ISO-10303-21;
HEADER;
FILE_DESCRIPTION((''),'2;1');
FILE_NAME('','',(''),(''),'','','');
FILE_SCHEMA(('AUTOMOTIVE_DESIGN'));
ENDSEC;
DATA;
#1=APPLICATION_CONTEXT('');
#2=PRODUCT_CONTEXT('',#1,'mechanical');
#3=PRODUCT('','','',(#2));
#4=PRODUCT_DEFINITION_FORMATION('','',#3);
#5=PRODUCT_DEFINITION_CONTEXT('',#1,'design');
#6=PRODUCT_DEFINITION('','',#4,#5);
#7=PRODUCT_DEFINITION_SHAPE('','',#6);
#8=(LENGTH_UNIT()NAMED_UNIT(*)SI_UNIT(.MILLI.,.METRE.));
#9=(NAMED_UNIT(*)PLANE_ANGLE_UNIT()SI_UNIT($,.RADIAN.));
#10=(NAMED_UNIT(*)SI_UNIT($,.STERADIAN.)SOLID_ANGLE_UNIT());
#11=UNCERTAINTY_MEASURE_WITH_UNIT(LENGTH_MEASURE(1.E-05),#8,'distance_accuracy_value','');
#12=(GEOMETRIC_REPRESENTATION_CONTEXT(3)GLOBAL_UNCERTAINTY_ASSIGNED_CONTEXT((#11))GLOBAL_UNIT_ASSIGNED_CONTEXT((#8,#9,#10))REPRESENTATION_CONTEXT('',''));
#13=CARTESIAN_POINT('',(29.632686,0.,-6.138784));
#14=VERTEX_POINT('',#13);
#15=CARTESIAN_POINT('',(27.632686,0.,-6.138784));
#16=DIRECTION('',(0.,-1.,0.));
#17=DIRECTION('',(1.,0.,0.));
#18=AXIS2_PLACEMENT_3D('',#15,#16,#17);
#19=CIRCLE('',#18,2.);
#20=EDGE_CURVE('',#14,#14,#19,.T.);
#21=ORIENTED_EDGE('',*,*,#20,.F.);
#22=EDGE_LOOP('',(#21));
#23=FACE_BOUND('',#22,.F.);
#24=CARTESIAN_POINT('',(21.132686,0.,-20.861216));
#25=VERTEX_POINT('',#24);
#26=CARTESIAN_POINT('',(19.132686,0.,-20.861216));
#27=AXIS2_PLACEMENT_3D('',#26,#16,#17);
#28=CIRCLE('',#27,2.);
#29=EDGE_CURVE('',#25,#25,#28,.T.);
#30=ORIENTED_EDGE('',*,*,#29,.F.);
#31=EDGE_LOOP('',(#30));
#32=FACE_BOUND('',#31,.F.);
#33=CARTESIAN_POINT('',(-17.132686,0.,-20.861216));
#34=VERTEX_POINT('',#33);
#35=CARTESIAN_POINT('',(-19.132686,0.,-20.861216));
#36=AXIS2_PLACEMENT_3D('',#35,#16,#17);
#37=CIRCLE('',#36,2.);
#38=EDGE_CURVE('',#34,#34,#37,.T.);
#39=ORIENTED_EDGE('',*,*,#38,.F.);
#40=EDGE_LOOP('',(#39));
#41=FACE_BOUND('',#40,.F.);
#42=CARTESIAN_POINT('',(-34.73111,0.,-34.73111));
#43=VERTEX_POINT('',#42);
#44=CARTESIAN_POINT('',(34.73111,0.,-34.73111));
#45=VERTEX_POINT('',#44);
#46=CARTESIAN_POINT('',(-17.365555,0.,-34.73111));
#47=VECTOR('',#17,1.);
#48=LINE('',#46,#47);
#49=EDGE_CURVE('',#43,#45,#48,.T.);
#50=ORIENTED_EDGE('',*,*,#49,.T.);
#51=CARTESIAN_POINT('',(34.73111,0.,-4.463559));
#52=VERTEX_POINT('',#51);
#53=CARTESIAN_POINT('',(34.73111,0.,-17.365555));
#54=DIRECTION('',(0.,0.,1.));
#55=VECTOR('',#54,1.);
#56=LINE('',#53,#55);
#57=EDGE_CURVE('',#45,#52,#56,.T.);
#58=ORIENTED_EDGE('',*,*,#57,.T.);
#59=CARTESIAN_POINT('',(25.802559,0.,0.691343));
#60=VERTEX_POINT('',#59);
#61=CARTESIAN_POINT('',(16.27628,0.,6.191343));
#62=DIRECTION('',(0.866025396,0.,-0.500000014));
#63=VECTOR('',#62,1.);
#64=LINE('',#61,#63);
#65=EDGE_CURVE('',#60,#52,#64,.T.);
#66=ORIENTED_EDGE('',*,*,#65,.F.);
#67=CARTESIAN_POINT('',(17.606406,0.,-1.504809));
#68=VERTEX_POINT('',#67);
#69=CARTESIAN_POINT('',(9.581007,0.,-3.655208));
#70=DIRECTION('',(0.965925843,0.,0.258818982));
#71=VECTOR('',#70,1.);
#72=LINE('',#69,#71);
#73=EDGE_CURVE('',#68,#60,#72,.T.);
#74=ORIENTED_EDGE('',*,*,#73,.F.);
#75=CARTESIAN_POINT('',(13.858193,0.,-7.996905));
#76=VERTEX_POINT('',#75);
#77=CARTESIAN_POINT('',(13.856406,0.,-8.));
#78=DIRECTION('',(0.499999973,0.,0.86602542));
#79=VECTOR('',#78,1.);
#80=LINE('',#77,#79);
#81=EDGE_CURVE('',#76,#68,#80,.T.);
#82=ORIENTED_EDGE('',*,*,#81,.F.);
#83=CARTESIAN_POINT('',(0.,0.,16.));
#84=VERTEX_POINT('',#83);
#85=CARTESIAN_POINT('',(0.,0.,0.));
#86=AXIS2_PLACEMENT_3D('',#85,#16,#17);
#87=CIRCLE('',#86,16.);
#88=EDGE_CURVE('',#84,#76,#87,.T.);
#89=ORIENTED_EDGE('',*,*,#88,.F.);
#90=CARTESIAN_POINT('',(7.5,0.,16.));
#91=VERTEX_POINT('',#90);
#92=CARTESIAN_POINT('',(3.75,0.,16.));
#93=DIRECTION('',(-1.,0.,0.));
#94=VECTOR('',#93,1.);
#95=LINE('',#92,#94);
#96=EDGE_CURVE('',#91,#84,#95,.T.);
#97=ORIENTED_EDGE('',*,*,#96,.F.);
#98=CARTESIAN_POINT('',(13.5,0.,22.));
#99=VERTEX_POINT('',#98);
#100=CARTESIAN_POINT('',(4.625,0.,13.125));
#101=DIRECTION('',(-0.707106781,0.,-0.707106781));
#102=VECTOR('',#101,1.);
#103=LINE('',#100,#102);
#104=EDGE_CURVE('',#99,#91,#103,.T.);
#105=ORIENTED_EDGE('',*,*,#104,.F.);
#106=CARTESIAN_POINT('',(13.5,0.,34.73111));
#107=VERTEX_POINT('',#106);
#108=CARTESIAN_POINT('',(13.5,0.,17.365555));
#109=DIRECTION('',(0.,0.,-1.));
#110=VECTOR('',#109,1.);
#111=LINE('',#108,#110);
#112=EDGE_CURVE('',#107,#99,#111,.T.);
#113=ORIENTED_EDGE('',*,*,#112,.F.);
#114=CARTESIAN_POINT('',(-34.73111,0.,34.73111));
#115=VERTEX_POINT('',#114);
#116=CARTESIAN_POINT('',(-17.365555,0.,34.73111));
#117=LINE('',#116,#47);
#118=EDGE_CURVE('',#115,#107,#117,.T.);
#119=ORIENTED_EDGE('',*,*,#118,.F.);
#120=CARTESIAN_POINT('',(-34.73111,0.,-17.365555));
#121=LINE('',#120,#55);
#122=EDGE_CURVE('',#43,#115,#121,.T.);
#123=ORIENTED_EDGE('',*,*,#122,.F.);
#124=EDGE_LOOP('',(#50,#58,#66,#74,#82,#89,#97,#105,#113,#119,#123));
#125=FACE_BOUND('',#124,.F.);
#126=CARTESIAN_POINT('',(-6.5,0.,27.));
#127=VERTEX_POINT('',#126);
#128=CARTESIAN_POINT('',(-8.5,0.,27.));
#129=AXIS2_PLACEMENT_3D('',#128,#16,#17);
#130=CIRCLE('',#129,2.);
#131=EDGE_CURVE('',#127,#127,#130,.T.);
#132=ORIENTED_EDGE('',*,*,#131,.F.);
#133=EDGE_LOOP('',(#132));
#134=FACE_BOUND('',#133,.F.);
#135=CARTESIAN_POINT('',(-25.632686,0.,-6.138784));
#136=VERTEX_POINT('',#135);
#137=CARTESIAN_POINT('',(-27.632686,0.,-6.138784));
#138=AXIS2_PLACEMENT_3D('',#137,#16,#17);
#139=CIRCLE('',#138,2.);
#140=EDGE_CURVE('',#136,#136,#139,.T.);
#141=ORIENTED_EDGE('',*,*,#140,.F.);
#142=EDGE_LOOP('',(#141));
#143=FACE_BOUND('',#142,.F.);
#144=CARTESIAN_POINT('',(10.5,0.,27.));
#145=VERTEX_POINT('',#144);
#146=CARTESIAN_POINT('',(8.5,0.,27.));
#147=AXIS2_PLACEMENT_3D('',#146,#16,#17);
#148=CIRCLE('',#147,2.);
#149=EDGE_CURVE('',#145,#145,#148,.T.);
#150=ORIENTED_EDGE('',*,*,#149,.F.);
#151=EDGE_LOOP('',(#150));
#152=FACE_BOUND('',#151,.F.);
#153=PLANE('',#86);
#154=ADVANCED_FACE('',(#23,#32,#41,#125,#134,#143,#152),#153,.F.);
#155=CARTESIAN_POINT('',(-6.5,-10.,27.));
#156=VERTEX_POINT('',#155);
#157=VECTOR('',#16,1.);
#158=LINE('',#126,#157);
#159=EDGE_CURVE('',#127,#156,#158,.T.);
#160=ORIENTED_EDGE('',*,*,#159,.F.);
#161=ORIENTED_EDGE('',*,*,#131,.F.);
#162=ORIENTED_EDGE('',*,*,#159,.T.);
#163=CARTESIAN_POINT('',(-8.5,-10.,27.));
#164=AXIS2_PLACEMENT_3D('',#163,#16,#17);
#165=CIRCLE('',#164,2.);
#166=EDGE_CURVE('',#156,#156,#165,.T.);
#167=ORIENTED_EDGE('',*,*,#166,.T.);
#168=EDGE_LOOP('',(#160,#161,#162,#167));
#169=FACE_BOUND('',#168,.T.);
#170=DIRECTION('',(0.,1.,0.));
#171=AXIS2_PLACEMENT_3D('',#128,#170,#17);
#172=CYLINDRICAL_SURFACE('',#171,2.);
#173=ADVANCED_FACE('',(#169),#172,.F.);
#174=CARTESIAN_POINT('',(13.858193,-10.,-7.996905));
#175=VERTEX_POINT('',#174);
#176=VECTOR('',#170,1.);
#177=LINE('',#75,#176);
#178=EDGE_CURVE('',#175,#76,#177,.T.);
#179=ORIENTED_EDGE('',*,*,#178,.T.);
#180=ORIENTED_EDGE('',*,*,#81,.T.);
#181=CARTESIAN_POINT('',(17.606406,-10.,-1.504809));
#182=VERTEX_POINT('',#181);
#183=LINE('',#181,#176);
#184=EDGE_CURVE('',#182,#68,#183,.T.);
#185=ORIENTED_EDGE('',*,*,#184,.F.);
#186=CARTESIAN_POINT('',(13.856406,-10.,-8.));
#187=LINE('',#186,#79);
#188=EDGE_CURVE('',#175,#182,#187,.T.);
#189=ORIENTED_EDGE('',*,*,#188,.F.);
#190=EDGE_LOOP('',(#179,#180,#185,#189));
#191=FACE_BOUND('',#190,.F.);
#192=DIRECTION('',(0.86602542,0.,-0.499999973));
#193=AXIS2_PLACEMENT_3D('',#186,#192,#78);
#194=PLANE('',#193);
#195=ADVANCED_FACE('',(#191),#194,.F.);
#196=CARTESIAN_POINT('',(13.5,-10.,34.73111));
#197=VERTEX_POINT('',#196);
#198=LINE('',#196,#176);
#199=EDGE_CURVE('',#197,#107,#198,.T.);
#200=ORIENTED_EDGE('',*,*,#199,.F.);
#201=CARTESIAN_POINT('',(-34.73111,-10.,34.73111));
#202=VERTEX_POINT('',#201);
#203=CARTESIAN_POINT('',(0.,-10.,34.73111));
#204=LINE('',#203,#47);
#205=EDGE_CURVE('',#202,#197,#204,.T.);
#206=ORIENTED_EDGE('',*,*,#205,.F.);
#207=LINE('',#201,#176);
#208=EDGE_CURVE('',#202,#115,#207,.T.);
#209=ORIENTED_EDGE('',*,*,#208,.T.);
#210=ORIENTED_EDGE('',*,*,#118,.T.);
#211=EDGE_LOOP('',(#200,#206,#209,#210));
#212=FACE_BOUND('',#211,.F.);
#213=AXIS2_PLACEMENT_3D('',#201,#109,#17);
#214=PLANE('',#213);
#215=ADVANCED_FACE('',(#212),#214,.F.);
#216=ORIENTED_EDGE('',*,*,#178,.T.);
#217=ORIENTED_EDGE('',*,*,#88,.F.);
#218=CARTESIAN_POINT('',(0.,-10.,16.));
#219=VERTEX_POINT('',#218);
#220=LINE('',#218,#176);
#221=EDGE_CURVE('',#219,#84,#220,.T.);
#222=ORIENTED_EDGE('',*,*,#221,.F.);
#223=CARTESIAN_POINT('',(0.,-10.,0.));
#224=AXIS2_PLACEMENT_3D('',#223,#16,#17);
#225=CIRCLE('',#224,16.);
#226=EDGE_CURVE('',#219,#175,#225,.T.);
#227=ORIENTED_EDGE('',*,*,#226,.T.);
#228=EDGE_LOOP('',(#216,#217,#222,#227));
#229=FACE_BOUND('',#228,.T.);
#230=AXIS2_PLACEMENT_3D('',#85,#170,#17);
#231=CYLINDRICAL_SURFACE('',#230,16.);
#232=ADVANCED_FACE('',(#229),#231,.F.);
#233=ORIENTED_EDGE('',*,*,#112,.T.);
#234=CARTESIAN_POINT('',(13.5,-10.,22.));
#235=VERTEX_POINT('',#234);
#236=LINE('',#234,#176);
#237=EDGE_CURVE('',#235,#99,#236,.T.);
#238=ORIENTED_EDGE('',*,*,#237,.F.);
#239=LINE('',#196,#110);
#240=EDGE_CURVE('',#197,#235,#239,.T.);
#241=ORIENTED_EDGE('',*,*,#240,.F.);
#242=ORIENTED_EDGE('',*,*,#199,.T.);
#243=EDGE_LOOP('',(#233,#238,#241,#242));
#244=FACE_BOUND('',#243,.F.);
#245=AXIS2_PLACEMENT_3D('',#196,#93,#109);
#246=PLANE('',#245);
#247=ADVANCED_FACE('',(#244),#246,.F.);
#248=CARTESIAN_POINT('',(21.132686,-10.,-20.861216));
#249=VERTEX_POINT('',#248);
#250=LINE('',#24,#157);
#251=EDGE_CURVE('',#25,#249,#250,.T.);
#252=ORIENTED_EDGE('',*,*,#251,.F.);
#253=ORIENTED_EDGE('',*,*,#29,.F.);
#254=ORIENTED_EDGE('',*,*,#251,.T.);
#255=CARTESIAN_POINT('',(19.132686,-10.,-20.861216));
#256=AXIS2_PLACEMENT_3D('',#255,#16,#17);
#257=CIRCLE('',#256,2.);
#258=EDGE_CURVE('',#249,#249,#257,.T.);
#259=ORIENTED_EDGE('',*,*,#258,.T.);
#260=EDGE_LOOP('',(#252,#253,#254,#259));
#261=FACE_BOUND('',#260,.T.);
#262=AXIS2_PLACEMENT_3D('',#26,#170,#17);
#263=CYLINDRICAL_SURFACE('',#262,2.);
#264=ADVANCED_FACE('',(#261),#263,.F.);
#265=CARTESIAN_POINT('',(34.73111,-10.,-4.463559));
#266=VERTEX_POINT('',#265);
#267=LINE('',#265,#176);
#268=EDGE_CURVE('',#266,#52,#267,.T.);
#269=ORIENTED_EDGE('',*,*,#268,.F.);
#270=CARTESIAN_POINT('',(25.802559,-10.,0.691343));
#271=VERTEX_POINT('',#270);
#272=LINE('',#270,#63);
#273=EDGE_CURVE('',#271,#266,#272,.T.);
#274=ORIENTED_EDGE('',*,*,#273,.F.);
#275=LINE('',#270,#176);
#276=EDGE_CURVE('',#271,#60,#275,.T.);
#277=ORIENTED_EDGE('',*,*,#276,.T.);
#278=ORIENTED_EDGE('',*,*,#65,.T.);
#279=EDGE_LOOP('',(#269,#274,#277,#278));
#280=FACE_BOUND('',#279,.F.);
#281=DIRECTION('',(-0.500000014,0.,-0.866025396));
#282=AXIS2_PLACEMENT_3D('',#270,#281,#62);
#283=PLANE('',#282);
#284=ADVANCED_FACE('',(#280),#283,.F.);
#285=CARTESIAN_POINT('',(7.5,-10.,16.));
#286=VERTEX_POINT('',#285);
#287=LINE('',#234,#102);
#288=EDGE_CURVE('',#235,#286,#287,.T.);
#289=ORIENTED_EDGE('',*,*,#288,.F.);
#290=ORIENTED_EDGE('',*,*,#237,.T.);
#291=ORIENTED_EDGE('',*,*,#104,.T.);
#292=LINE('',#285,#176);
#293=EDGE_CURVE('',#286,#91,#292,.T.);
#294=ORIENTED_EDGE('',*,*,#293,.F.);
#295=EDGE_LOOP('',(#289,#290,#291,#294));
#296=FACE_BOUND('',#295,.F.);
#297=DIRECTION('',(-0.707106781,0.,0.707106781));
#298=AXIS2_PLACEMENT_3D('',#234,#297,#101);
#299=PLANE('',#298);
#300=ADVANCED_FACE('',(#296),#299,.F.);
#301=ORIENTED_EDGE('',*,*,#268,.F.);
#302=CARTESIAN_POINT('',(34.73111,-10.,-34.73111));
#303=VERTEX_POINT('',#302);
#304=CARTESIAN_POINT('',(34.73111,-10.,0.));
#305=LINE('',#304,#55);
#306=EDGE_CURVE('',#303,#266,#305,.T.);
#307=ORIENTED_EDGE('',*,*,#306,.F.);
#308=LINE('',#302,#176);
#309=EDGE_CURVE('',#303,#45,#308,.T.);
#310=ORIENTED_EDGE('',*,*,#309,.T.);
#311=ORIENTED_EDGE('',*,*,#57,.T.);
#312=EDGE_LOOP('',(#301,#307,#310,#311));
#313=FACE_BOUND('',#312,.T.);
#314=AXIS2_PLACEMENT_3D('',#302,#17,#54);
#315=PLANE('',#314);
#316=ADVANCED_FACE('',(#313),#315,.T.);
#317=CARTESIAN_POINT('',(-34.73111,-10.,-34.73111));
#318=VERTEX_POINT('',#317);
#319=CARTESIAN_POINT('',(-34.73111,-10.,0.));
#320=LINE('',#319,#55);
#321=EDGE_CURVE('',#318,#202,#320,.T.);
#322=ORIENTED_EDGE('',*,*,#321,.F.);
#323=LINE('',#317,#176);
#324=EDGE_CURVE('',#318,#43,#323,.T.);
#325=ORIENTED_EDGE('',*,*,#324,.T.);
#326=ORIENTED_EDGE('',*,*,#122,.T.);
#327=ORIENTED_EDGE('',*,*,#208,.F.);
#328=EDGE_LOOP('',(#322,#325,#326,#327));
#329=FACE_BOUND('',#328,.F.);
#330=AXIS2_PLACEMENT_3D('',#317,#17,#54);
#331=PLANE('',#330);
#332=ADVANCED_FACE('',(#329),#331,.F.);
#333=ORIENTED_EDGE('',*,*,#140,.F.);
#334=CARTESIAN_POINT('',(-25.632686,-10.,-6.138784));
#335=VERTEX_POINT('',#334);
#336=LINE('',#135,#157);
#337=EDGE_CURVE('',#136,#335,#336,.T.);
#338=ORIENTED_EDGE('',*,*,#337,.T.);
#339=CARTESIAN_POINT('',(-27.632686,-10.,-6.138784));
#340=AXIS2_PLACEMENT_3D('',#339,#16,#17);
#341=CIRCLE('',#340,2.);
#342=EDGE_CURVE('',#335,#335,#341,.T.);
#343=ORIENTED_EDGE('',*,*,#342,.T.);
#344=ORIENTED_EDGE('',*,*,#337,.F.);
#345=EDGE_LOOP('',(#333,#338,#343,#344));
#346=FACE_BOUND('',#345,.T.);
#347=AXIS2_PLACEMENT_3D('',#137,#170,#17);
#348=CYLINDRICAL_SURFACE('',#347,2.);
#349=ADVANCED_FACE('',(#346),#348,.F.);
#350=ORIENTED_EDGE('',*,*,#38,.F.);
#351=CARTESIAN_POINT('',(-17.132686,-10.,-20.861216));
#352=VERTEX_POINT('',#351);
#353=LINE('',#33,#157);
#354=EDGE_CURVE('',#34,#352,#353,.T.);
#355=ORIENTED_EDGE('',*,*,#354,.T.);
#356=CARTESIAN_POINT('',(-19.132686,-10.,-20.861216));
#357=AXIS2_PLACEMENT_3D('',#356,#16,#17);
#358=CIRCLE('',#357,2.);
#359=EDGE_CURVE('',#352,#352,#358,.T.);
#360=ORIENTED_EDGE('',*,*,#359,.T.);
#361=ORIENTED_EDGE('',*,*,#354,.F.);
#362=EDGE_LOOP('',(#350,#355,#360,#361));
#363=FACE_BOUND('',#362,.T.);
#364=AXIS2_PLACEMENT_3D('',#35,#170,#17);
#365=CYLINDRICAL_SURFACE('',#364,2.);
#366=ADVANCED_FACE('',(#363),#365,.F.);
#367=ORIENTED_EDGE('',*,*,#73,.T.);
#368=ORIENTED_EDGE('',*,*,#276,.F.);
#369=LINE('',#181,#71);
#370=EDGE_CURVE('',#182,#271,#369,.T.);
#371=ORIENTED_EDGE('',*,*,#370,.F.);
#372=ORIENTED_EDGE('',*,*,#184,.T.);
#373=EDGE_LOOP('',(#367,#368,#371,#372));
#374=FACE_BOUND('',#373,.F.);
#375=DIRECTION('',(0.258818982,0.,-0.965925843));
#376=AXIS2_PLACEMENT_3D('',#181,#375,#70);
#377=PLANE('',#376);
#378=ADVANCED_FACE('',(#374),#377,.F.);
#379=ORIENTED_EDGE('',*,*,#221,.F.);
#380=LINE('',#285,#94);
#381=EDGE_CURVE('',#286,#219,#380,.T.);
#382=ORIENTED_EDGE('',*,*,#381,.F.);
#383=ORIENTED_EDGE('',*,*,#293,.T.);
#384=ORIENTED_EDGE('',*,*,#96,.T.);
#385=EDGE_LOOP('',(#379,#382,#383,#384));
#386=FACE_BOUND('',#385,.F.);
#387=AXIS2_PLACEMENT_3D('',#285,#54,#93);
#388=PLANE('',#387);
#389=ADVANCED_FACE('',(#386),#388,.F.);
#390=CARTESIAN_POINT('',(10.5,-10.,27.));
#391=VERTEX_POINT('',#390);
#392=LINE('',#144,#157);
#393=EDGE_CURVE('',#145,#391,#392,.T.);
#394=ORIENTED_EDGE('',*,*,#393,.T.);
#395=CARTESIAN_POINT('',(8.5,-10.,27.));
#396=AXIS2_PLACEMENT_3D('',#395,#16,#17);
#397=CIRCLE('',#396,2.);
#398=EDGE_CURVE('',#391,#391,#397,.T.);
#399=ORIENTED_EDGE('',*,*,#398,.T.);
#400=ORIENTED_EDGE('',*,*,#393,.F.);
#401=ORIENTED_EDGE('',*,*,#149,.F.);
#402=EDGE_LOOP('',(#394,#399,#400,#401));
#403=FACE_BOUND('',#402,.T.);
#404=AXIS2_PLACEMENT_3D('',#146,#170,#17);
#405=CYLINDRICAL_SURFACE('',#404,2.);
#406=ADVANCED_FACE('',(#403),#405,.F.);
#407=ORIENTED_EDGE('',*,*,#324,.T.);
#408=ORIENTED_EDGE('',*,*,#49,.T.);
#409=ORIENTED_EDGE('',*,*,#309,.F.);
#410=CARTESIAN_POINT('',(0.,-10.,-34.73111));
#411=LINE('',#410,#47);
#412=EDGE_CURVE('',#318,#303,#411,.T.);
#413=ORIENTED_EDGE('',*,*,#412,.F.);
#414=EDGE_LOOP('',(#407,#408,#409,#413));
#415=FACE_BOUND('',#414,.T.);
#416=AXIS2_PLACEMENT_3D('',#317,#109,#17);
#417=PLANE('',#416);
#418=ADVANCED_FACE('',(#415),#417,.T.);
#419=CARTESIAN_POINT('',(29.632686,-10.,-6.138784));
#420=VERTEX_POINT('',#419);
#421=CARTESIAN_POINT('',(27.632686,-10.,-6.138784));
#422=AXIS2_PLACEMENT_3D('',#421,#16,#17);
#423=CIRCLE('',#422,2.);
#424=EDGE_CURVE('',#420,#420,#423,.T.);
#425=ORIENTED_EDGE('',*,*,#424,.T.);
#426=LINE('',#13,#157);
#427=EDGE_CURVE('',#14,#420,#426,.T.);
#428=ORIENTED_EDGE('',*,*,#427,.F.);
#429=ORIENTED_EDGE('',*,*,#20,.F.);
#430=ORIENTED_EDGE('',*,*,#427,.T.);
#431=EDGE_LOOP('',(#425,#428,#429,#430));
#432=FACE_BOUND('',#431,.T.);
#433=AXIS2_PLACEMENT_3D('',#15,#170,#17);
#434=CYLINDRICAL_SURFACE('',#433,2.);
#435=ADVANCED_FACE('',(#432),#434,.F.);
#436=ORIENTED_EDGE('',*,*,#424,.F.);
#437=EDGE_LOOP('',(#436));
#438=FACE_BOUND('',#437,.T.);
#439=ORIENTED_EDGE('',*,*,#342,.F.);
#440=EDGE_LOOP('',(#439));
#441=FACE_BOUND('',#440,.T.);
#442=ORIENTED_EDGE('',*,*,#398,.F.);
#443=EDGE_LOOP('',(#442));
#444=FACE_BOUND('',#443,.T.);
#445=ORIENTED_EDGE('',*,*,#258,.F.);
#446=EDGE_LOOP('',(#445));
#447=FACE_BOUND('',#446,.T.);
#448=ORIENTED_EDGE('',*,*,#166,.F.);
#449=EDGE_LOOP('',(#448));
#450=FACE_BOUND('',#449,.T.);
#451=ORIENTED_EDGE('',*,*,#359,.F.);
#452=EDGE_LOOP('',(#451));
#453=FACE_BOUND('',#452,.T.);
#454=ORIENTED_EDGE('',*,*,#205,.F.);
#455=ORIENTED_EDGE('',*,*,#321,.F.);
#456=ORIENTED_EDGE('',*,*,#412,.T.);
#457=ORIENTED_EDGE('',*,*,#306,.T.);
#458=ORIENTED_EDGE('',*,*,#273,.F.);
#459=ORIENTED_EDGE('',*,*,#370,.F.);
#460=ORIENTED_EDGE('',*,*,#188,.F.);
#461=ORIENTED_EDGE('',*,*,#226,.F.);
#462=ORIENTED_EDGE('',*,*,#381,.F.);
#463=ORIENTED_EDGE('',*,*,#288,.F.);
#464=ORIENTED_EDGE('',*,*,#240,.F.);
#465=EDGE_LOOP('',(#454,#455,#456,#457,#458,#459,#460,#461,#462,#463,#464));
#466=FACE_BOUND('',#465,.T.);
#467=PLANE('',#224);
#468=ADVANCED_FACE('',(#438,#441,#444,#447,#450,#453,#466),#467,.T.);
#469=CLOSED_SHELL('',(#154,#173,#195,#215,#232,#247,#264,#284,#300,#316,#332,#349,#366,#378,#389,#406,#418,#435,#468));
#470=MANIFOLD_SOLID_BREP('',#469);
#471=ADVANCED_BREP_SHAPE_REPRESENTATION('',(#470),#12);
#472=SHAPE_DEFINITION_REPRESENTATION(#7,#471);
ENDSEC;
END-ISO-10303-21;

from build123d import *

# Parameters (mm, degrees)
F0_W     = 80
F0_H     = 80
F0_R     = 2
F0_R_2   = 16
F1_DEPTH = 10
F2_W     = 80
F2_H     = 80
F2_W_2   = 69.46222
F2_H_2   = 69.46222
F3_DEPTH = 25
F5_DEPTH = 25


with BuildPart() as f1:
    # F0 (on Front) → F1 (new body)
    with BuildSketch(Plane.XZ):
        Rectangle(F0_W, F0_H)
        with Locations((-19.132686, -20.861216)):
            Circle(F0_R, mode=Mode.SUBTRACT)
        with Locations((-27.632686, -6.138784)):
            Circle(F0_R, mode=Mode.SUBTRACT)
        with Locations((19.132686, -20.861216)):
            Circle(F0_R, mode=Mode.SUBTRACT)
        with Locations((27.632686, -6.138784)):
            Circle(F0_R, mode=Mode.SUBTRACT)
        with Locations((-8.5, 27)):
            Circle(F0_R, mode=Mode.SUBTRACT)
        Circle(F0_R_2, mode=Mode.SUBTRACT)
        with Locations((8.5, 27)):
            Circle(F0_R, mode=Mode.SUBTRACT)
    extrude(amount=F1_DEPTH)

    # F2 (on face) → F3 (cut)
    with BuildSketch(Plane.XZ.offset(10)):
        Rectangle(F2_W, F2_H)
        Rectangle(F2_W_2, F2_H_2, mode=Mode.SUBTRACT)
    extrude(amount=-F3_DEPTH, mode=Mode.SUBTRACT)

    # F4 (on face) → F5 (cut)
    with BuildSketch(Plane.XZ.offset(10)):
        Polygon((17.606406, -1.504809), (25.802559, 0.691343), (41.845802, -8.571228), (36.725588, 37.045255), (13.5, 34.73111), (13.5, 22), (7.5, 16), (0, 16), (13.856406, -8), align=None)
    extrude(amount=-F5_DEPTH, mode=Mode.SUBTRACT)


solid = f1.part
